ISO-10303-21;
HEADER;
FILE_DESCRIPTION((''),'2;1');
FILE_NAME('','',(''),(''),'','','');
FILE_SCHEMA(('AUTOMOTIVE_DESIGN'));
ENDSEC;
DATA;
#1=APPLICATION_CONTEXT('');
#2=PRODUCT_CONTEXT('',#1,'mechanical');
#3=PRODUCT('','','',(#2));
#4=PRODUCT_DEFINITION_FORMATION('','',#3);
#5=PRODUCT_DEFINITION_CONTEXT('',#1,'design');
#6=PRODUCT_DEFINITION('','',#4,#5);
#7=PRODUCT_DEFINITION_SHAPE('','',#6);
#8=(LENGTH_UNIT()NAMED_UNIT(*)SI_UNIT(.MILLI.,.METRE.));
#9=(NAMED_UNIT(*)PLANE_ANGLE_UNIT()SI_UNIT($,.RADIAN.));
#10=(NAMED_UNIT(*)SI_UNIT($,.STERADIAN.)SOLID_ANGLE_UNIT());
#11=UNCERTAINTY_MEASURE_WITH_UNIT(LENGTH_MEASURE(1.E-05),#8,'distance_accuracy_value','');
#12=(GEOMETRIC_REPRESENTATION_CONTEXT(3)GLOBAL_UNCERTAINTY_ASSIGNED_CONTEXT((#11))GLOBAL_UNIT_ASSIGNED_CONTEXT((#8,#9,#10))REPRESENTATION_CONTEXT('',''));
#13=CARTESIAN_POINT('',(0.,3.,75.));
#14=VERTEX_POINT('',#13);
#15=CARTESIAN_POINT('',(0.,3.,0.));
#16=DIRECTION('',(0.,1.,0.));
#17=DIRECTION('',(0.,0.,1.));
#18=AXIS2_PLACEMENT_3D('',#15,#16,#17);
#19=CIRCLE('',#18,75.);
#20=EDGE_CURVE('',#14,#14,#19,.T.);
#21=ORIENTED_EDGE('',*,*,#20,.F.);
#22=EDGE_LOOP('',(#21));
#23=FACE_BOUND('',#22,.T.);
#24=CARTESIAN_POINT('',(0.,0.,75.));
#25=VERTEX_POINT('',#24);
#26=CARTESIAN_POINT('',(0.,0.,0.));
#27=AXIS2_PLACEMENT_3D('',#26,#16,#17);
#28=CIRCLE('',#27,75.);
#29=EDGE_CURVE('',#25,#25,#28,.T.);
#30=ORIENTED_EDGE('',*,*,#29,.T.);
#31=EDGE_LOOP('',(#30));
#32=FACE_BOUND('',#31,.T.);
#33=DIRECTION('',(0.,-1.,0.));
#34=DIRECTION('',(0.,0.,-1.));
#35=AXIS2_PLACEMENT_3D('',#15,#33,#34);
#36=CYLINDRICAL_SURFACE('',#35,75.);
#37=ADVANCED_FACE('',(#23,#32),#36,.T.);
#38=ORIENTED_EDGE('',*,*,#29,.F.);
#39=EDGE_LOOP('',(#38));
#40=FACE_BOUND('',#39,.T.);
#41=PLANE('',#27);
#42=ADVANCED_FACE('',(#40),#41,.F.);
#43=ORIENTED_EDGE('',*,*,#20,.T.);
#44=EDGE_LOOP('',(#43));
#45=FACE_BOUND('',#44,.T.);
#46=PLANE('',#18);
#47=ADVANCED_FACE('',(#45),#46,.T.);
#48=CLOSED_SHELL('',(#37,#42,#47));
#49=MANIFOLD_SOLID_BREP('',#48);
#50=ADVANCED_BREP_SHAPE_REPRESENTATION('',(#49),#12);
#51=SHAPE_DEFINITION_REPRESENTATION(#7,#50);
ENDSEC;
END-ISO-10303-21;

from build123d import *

# Parameters (mm, degrees)
SKETCH_1_R      = 75
EXTRUDE_1_DEPTH = 3


with BuildPart() as part:
    # 草图1 → 凸台-拉伸1 (new body)
    with BuildSketch(Plane(origin=(0, 0, 0), x_dir=(1, 0, 0), z_dir=(0, 1, 0))):
        with Locations(Location((0, 0, 0), (0, 0, 270))):
            Circle(SKETCH_1_R)
    extrude(amount=EXTRUDE_1_DEPTH)


solid = part.part
